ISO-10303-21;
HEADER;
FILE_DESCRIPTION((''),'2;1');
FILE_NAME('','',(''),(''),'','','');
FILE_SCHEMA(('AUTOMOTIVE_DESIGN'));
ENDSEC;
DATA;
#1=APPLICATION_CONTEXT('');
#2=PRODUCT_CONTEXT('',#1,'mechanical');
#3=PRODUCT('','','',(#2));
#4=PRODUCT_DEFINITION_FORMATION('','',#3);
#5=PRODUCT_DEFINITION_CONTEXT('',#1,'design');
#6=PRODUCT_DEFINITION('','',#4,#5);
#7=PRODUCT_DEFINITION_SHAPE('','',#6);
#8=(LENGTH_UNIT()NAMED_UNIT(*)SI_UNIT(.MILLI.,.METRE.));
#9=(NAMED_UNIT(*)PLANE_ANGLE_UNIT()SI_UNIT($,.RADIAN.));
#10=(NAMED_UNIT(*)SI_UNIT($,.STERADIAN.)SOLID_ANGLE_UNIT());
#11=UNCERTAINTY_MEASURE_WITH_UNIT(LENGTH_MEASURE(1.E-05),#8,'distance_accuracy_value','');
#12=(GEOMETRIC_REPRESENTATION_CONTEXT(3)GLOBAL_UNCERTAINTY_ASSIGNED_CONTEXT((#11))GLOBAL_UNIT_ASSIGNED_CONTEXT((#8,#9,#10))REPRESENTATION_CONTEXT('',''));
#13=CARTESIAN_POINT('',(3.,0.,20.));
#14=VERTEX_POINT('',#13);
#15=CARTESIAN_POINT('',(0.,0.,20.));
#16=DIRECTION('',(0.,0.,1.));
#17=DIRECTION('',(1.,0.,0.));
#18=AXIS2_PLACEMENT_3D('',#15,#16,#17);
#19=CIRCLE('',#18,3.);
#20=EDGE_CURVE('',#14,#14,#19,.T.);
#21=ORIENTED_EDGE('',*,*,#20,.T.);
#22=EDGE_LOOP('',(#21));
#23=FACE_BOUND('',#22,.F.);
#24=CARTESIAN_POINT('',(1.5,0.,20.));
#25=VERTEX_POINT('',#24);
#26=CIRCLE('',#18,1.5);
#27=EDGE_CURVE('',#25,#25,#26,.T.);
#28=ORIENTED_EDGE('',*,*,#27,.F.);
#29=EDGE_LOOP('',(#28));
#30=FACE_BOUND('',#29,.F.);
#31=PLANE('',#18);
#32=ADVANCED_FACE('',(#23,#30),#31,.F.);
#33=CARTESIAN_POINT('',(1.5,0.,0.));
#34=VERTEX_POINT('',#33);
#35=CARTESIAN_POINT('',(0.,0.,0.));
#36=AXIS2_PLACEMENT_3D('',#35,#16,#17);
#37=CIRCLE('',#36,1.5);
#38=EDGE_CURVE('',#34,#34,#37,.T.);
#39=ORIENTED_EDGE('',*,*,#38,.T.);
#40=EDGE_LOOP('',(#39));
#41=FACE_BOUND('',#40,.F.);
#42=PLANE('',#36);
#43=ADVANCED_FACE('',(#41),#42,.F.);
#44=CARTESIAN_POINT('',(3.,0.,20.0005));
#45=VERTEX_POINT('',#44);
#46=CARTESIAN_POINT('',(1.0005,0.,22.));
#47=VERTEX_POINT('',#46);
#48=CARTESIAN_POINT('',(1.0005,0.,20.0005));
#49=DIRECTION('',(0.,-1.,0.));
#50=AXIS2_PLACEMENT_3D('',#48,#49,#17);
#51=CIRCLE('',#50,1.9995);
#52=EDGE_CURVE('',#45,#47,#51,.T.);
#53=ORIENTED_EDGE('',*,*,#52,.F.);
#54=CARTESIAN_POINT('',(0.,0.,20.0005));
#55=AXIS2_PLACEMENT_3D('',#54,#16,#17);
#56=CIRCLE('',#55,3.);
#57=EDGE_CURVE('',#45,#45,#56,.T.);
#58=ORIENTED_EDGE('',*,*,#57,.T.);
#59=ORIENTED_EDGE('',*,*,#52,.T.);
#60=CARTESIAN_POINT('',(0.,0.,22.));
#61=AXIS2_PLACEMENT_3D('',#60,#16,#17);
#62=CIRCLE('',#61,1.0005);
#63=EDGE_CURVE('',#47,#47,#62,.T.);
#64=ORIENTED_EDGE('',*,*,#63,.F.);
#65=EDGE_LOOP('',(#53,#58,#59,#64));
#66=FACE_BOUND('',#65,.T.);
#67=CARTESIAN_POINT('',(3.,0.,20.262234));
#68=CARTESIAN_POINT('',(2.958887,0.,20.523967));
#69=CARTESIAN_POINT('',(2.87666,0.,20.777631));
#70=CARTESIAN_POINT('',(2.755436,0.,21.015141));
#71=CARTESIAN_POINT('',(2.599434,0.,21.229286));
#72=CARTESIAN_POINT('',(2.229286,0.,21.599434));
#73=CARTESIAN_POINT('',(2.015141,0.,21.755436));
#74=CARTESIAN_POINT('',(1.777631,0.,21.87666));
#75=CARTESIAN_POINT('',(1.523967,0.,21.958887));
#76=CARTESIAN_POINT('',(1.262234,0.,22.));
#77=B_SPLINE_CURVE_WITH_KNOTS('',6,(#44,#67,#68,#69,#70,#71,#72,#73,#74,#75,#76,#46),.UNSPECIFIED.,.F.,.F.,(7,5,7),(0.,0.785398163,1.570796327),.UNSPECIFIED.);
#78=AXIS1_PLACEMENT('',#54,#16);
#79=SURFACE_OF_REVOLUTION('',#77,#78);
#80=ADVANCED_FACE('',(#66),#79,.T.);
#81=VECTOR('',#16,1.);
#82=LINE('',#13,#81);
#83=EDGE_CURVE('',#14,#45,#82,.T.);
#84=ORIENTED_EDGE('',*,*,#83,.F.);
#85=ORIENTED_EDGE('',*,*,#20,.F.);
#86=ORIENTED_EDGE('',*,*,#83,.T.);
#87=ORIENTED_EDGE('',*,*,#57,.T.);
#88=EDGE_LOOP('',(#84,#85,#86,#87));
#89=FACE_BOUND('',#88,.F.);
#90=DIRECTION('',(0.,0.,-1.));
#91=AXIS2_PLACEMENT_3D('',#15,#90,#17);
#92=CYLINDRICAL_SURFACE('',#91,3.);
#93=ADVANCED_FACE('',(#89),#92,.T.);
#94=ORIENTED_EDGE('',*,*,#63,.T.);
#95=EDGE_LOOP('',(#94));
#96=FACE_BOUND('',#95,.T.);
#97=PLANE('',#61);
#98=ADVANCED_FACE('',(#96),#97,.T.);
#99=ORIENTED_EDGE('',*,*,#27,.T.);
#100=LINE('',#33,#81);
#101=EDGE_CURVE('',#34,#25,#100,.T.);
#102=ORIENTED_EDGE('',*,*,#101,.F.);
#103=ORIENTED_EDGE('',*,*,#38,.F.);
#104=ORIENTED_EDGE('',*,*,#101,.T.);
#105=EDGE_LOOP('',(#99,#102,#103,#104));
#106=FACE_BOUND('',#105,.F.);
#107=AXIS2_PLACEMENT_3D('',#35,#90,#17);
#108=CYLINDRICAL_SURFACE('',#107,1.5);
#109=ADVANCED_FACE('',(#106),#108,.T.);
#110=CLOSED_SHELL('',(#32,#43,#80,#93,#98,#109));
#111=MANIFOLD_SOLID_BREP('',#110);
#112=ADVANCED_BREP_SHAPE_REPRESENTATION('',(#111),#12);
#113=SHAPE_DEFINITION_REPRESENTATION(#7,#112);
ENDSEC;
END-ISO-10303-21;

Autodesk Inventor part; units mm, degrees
ref_plane "YZ Plane" through (0, 0, 0) normal (1, 0, 0) x (0, 1, 0)
ref_plane "XZ Plane" through (0, 0, 0) normal (0, 1, 0) x (-1, 0, 0)
ref_plane "XY Plane" through (0, 0, 0) normal (0, 0, 1) x (1, 0, 0)
sketch "スケッチ1" plane through (0, 0, 0) normal (0, 0, 1) x (1, 0, 0)
  circle A0 centre (0, 0) radius 1.5
  dimension "d0" = 3
extrude "押し出し1" add sketch "スケッチ1" along normal blind 20
sketch "スケッチ2" plane through (0, 0, 20) normal (0, 0, 1) x (1, 0, 0)
  circle A0 centre (0, 0) radius 1.5 projected
  circle A1 centre (0, 0) radius 3
  dimension "d3" = 6
extrude "押し出し2" add sketch "スケッチ2" along normal blind 2 contours A0 | A1
fillet "フィレット1" radius 2 1 edges at (-3, 0, 22)
properties part number "M3ボタンボルト20" material "鋼、高強度、低合金"
